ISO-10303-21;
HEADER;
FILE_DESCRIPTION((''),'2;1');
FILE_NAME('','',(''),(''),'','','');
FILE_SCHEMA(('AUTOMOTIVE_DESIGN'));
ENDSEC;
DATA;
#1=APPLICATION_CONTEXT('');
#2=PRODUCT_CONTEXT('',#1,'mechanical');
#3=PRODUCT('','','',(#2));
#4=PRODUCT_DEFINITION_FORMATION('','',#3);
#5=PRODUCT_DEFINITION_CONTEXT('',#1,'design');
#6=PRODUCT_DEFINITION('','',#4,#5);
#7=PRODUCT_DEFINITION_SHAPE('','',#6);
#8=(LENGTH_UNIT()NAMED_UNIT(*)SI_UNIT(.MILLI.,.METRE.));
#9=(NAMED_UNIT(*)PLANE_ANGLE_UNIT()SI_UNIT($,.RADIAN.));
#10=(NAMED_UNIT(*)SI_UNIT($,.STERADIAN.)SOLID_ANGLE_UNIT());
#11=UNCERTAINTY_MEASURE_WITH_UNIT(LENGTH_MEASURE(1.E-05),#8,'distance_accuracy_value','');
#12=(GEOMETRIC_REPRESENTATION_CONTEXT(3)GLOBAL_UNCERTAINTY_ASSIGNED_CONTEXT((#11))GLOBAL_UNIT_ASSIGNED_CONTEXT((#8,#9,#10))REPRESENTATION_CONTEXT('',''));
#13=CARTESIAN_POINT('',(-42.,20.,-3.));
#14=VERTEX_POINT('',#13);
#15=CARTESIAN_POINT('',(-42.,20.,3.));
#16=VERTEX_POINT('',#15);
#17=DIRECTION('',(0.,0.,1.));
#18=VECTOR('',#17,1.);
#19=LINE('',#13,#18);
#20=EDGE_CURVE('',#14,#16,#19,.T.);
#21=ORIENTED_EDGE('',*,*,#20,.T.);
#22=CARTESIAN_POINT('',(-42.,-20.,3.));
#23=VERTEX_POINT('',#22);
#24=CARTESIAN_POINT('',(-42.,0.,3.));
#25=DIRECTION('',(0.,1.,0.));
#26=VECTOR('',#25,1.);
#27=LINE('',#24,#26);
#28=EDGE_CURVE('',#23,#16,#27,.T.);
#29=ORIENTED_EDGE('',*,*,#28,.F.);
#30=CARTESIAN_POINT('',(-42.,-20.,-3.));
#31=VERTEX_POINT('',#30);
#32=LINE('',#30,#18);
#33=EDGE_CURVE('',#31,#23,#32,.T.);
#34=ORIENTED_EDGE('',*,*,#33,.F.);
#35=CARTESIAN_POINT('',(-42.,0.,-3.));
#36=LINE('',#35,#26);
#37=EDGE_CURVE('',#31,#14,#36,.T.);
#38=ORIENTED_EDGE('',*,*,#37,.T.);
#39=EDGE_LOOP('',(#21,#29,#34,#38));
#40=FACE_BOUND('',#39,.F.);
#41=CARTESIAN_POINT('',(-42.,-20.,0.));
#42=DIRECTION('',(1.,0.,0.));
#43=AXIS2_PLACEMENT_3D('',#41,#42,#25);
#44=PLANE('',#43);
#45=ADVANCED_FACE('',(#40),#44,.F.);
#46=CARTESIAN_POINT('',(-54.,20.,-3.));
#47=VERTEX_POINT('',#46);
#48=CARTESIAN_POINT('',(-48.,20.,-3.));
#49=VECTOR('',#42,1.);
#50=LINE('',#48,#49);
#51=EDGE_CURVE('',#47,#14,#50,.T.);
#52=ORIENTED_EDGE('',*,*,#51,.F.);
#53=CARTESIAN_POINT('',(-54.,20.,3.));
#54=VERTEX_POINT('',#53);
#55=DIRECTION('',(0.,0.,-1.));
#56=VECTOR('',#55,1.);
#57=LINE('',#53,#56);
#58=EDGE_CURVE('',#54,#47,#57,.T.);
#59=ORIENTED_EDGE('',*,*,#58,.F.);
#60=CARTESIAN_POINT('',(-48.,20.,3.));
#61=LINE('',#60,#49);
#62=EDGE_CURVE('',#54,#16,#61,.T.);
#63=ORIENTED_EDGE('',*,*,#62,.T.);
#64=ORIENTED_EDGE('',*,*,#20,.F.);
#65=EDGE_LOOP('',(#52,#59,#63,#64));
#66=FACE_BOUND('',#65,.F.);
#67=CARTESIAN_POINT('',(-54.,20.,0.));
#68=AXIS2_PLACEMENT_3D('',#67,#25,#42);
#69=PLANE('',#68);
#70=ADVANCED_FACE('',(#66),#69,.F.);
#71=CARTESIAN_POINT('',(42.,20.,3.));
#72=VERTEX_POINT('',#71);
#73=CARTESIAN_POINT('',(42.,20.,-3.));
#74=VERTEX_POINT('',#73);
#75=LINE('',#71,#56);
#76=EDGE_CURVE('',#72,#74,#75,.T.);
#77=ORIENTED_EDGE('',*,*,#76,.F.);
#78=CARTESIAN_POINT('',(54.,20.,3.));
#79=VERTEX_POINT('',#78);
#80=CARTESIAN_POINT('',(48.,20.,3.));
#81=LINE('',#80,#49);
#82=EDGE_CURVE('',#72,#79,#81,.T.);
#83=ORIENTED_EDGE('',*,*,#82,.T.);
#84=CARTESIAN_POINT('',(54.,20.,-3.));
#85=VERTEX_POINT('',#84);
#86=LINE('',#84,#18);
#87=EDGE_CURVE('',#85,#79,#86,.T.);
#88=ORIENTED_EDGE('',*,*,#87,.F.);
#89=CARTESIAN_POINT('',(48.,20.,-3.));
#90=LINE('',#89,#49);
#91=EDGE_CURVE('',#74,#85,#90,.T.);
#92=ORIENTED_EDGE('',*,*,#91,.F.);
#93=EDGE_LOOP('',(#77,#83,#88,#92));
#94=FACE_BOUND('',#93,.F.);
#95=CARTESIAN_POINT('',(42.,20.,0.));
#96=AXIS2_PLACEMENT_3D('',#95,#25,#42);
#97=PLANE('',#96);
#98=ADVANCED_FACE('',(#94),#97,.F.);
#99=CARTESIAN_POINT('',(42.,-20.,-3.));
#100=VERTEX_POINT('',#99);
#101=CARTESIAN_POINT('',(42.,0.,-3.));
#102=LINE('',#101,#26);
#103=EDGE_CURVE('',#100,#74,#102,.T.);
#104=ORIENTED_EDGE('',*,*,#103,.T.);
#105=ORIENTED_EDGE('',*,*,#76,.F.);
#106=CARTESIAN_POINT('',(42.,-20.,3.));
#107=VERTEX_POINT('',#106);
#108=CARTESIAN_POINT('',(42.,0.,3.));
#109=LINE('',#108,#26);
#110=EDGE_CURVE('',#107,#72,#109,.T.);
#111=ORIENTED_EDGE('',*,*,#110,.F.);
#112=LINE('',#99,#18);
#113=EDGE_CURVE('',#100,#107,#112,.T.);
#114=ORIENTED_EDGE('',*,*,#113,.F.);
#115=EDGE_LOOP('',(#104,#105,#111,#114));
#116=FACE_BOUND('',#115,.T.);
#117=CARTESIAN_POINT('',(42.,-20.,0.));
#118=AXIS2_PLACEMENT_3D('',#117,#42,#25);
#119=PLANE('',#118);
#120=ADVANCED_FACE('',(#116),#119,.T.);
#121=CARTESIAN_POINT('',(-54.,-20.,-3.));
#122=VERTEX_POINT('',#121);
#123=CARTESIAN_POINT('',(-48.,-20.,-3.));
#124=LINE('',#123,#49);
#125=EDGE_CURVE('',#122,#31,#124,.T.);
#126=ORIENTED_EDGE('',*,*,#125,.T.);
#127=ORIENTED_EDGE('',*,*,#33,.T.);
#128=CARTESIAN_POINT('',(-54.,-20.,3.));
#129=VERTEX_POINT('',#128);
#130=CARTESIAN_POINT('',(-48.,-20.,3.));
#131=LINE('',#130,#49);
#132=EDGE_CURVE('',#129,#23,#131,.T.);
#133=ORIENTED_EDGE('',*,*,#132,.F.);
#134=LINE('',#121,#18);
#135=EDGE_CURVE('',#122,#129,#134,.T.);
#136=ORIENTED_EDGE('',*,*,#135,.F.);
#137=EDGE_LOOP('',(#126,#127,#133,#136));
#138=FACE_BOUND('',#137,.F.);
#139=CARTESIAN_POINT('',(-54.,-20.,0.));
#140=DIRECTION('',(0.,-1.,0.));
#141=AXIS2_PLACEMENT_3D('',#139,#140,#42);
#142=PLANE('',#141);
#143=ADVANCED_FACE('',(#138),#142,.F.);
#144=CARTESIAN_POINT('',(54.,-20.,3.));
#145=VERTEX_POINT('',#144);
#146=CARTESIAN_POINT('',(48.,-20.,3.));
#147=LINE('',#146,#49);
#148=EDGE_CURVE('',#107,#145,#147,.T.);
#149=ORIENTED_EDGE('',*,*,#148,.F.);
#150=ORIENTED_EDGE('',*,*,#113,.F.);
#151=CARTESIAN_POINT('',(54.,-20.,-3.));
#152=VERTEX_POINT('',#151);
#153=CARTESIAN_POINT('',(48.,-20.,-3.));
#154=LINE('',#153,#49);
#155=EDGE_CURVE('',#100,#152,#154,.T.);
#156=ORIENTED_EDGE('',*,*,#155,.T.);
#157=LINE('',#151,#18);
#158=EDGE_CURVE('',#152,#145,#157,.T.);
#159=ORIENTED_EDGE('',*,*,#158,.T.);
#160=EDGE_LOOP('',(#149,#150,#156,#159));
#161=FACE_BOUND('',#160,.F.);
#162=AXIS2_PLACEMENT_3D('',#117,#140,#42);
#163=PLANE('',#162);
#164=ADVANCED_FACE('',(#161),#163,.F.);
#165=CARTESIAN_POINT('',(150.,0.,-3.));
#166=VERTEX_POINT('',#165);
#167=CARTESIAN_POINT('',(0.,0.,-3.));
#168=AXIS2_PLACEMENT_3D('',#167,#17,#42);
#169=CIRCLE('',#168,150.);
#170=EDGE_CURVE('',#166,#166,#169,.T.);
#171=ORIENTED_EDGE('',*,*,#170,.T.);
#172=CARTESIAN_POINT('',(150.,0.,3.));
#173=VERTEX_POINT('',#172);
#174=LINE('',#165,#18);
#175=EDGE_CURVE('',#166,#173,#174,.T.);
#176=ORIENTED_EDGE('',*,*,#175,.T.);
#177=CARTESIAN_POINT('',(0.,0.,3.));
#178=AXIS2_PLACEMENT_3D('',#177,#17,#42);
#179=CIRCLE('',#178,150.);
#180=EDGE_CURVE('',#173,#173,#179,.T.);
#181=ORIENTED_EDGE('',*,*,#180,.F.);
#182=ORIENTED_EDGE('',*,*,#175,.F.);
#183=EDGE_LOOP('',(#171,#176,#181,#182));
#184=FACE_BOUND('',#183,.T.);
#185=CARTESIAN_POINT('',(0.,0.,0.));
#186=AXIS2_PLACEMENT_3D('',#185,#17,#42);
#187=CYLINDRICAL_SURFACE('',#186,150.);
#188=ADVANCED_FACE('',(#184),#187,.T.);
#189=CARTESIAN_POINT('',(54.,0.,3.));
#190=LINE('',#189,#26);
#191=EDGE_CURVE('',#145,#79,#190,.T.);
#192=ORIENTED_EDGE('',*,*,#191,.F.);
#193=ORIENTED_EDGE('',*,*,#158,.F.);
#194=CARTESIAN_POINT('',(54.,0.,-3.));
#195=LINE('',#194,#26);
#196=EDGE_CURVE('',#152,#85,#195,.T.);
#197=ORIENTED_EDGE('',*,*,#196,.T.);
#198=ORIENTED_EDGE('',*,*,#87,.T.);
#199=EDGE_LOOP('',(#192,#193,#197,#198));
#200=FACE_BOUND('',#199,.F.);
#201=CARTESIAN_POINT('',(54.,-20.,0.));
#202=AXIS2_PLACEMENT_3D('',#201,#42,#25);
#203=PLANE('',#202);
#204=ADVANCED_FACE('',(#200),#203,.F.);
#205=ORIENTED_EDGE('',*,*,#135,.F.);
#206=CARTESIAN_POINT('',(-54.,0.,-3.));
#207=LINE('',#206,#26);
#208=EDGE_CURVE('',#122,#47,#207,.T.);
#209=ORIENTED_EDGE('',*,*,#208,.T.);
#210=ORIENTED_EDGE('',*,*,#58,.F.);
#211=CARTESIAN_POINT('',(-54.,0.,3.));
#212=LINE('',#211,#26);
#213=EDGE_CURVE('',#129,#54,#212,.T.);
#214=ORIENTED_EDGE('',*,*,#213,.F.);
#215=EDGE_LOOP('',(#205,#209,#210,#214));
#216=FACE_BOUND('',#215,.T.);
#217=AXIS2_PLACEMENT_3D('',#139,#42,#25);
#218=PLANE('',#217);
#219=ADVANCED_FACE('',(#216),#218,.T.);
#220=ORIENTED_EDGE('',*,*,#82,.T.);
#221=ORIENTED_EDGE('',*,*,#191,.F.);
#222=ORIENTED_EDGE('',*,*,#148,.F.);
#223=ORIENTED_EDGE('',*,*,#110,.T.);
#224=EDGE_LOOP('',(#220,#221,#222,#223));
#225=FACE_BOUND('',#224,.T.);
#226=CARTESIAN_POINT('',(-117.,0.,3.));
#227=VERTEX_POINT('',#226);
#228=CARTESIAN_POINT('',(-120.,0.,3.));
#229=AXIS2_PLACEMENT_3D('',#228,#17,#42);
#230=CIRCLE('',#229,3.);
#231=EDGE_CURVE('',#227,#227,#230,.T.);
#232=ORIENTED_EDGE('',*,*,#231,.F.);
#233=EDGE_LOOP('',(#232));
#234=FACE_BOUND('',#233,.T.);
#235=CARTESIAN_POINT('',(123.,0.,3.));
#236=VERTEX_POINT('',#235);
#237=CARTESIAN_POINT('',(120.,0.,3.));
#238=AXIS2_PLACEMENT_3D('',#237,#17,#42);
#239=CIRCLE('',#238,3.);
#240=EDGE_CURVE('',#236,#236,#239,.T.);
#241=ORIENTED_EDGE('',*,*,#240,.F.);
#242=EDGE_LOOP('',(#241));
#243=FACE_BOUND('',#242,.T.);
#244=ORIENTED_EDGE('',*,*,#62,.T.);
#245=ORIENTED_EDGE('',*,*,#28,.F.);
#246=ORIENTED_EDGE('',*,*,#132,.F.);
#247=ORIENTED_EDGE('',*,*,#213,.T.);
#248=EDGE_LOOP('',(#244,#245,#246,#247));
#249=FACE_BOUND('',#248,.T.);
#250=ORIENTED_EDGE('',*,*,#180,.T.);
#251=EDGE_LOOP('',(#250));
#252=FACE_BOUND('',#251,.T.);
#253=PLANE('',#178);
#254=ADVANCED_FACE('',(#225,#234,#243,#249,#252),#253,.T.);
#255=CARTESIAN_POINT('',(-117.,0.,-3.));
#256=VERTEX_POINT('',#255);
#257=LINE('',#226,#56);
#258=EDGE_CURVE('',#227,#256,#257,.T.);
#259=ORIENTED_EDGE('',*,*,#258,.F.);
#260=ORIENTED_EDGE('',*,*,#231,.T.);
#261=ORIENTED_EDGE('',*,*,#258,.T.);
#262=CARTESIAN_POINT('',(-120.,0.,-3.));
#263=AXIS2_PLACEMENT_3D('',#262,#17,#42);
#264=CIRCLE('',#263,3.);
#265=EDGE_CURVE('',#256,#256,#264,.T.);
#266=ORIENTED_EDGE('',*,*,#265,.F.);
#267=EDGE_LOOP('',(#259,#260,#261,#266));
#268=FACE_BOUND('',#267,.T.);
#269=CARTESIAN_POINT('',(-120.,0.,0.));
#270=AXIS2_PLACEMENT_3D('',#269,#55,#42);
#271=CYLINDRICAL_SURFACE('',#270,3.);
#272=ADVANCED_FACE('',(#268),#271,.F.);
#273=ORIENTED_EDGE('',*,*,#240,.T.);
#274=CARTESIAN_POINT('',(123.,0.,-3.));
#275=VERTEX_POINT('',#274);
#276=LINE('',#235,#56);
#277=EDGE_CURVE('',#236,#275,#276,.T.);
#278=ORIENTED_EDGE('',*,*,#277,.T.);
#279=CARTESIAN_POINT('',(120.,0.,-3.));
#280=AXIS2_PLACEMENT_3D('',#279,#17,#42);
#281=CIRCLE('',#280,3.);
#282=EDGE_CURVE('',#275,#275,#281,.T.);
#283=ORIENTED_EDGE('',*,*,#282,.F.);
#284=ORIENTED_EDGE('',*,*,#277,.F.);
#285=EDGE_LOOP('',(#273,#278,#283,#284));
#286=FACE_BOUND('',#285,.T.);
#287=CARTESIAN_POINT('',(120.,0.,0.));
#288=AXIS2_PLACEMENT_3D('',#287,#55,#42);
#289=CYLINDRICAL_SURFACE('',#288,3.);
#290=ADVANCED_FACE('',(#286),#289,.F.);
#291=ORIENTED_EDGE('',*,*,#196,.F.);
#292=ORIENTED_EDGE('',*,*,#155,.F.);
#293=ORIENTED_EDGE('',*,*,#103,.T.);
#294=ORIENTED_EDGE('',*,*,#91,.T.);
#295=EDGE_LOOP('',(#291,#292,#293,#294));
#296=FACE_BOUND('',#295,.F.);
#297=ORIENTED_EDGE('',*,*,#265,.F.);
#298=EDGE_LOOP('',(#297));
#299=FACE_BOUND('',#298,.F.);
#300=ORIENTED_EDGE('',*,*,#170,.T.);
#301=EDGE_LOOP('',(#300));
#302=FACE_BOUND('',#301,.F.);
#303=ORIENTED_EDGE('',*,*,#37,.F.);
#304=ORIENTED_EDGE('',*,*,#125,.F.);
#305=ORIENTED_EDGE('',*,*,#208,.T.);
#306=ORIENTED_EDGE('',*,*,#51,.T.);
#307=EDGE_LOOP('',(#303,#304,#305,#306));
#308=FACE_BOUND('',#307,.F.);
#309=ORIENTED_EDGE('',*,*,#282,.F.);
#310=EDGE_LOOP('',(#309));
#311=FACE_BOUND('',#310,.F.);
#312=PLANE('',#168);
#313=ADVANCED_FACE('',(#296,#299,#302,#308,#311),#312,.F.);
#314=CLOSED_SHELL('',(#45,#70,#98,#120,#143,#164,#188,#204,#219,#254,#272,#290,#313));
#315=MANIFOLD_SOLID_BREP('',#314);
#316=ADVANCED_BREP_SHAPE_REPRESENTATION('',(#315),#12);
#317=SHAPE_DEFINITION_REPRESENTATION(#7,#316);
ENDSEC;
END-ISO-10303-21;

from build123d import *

# Parameters (mm, degrees)
F0_R     = 150
F0_R_2   = 3
F0_W     = 12
F0_H     = 40
F1_DEPTH = 3


with BuildPart() as f1:
    # F0 (on Top) → F1 (new body, symmetric)
    with BuildSketch(Plane.XY):
        Circle(F0_R)
        with Locations((-120, 0)):
            Circle(F0_R_2, mode=Mode.SUBTRACT)
        with Locations((-48, 0)):
            Rectangle(F0_W, F0_H, mode=Mode.SUBTRACT)
        with Locations((48, 0)):
            Rectangle(F0_W, F0_H, mode=Mode.SUBTRACT)
        with Locations((120, 0)):
            Circle(F0_R_2, mode=Mode.SUBTRACT)
    extrude(amount=F1_DEPTH, both=True)


solid = f1.part
